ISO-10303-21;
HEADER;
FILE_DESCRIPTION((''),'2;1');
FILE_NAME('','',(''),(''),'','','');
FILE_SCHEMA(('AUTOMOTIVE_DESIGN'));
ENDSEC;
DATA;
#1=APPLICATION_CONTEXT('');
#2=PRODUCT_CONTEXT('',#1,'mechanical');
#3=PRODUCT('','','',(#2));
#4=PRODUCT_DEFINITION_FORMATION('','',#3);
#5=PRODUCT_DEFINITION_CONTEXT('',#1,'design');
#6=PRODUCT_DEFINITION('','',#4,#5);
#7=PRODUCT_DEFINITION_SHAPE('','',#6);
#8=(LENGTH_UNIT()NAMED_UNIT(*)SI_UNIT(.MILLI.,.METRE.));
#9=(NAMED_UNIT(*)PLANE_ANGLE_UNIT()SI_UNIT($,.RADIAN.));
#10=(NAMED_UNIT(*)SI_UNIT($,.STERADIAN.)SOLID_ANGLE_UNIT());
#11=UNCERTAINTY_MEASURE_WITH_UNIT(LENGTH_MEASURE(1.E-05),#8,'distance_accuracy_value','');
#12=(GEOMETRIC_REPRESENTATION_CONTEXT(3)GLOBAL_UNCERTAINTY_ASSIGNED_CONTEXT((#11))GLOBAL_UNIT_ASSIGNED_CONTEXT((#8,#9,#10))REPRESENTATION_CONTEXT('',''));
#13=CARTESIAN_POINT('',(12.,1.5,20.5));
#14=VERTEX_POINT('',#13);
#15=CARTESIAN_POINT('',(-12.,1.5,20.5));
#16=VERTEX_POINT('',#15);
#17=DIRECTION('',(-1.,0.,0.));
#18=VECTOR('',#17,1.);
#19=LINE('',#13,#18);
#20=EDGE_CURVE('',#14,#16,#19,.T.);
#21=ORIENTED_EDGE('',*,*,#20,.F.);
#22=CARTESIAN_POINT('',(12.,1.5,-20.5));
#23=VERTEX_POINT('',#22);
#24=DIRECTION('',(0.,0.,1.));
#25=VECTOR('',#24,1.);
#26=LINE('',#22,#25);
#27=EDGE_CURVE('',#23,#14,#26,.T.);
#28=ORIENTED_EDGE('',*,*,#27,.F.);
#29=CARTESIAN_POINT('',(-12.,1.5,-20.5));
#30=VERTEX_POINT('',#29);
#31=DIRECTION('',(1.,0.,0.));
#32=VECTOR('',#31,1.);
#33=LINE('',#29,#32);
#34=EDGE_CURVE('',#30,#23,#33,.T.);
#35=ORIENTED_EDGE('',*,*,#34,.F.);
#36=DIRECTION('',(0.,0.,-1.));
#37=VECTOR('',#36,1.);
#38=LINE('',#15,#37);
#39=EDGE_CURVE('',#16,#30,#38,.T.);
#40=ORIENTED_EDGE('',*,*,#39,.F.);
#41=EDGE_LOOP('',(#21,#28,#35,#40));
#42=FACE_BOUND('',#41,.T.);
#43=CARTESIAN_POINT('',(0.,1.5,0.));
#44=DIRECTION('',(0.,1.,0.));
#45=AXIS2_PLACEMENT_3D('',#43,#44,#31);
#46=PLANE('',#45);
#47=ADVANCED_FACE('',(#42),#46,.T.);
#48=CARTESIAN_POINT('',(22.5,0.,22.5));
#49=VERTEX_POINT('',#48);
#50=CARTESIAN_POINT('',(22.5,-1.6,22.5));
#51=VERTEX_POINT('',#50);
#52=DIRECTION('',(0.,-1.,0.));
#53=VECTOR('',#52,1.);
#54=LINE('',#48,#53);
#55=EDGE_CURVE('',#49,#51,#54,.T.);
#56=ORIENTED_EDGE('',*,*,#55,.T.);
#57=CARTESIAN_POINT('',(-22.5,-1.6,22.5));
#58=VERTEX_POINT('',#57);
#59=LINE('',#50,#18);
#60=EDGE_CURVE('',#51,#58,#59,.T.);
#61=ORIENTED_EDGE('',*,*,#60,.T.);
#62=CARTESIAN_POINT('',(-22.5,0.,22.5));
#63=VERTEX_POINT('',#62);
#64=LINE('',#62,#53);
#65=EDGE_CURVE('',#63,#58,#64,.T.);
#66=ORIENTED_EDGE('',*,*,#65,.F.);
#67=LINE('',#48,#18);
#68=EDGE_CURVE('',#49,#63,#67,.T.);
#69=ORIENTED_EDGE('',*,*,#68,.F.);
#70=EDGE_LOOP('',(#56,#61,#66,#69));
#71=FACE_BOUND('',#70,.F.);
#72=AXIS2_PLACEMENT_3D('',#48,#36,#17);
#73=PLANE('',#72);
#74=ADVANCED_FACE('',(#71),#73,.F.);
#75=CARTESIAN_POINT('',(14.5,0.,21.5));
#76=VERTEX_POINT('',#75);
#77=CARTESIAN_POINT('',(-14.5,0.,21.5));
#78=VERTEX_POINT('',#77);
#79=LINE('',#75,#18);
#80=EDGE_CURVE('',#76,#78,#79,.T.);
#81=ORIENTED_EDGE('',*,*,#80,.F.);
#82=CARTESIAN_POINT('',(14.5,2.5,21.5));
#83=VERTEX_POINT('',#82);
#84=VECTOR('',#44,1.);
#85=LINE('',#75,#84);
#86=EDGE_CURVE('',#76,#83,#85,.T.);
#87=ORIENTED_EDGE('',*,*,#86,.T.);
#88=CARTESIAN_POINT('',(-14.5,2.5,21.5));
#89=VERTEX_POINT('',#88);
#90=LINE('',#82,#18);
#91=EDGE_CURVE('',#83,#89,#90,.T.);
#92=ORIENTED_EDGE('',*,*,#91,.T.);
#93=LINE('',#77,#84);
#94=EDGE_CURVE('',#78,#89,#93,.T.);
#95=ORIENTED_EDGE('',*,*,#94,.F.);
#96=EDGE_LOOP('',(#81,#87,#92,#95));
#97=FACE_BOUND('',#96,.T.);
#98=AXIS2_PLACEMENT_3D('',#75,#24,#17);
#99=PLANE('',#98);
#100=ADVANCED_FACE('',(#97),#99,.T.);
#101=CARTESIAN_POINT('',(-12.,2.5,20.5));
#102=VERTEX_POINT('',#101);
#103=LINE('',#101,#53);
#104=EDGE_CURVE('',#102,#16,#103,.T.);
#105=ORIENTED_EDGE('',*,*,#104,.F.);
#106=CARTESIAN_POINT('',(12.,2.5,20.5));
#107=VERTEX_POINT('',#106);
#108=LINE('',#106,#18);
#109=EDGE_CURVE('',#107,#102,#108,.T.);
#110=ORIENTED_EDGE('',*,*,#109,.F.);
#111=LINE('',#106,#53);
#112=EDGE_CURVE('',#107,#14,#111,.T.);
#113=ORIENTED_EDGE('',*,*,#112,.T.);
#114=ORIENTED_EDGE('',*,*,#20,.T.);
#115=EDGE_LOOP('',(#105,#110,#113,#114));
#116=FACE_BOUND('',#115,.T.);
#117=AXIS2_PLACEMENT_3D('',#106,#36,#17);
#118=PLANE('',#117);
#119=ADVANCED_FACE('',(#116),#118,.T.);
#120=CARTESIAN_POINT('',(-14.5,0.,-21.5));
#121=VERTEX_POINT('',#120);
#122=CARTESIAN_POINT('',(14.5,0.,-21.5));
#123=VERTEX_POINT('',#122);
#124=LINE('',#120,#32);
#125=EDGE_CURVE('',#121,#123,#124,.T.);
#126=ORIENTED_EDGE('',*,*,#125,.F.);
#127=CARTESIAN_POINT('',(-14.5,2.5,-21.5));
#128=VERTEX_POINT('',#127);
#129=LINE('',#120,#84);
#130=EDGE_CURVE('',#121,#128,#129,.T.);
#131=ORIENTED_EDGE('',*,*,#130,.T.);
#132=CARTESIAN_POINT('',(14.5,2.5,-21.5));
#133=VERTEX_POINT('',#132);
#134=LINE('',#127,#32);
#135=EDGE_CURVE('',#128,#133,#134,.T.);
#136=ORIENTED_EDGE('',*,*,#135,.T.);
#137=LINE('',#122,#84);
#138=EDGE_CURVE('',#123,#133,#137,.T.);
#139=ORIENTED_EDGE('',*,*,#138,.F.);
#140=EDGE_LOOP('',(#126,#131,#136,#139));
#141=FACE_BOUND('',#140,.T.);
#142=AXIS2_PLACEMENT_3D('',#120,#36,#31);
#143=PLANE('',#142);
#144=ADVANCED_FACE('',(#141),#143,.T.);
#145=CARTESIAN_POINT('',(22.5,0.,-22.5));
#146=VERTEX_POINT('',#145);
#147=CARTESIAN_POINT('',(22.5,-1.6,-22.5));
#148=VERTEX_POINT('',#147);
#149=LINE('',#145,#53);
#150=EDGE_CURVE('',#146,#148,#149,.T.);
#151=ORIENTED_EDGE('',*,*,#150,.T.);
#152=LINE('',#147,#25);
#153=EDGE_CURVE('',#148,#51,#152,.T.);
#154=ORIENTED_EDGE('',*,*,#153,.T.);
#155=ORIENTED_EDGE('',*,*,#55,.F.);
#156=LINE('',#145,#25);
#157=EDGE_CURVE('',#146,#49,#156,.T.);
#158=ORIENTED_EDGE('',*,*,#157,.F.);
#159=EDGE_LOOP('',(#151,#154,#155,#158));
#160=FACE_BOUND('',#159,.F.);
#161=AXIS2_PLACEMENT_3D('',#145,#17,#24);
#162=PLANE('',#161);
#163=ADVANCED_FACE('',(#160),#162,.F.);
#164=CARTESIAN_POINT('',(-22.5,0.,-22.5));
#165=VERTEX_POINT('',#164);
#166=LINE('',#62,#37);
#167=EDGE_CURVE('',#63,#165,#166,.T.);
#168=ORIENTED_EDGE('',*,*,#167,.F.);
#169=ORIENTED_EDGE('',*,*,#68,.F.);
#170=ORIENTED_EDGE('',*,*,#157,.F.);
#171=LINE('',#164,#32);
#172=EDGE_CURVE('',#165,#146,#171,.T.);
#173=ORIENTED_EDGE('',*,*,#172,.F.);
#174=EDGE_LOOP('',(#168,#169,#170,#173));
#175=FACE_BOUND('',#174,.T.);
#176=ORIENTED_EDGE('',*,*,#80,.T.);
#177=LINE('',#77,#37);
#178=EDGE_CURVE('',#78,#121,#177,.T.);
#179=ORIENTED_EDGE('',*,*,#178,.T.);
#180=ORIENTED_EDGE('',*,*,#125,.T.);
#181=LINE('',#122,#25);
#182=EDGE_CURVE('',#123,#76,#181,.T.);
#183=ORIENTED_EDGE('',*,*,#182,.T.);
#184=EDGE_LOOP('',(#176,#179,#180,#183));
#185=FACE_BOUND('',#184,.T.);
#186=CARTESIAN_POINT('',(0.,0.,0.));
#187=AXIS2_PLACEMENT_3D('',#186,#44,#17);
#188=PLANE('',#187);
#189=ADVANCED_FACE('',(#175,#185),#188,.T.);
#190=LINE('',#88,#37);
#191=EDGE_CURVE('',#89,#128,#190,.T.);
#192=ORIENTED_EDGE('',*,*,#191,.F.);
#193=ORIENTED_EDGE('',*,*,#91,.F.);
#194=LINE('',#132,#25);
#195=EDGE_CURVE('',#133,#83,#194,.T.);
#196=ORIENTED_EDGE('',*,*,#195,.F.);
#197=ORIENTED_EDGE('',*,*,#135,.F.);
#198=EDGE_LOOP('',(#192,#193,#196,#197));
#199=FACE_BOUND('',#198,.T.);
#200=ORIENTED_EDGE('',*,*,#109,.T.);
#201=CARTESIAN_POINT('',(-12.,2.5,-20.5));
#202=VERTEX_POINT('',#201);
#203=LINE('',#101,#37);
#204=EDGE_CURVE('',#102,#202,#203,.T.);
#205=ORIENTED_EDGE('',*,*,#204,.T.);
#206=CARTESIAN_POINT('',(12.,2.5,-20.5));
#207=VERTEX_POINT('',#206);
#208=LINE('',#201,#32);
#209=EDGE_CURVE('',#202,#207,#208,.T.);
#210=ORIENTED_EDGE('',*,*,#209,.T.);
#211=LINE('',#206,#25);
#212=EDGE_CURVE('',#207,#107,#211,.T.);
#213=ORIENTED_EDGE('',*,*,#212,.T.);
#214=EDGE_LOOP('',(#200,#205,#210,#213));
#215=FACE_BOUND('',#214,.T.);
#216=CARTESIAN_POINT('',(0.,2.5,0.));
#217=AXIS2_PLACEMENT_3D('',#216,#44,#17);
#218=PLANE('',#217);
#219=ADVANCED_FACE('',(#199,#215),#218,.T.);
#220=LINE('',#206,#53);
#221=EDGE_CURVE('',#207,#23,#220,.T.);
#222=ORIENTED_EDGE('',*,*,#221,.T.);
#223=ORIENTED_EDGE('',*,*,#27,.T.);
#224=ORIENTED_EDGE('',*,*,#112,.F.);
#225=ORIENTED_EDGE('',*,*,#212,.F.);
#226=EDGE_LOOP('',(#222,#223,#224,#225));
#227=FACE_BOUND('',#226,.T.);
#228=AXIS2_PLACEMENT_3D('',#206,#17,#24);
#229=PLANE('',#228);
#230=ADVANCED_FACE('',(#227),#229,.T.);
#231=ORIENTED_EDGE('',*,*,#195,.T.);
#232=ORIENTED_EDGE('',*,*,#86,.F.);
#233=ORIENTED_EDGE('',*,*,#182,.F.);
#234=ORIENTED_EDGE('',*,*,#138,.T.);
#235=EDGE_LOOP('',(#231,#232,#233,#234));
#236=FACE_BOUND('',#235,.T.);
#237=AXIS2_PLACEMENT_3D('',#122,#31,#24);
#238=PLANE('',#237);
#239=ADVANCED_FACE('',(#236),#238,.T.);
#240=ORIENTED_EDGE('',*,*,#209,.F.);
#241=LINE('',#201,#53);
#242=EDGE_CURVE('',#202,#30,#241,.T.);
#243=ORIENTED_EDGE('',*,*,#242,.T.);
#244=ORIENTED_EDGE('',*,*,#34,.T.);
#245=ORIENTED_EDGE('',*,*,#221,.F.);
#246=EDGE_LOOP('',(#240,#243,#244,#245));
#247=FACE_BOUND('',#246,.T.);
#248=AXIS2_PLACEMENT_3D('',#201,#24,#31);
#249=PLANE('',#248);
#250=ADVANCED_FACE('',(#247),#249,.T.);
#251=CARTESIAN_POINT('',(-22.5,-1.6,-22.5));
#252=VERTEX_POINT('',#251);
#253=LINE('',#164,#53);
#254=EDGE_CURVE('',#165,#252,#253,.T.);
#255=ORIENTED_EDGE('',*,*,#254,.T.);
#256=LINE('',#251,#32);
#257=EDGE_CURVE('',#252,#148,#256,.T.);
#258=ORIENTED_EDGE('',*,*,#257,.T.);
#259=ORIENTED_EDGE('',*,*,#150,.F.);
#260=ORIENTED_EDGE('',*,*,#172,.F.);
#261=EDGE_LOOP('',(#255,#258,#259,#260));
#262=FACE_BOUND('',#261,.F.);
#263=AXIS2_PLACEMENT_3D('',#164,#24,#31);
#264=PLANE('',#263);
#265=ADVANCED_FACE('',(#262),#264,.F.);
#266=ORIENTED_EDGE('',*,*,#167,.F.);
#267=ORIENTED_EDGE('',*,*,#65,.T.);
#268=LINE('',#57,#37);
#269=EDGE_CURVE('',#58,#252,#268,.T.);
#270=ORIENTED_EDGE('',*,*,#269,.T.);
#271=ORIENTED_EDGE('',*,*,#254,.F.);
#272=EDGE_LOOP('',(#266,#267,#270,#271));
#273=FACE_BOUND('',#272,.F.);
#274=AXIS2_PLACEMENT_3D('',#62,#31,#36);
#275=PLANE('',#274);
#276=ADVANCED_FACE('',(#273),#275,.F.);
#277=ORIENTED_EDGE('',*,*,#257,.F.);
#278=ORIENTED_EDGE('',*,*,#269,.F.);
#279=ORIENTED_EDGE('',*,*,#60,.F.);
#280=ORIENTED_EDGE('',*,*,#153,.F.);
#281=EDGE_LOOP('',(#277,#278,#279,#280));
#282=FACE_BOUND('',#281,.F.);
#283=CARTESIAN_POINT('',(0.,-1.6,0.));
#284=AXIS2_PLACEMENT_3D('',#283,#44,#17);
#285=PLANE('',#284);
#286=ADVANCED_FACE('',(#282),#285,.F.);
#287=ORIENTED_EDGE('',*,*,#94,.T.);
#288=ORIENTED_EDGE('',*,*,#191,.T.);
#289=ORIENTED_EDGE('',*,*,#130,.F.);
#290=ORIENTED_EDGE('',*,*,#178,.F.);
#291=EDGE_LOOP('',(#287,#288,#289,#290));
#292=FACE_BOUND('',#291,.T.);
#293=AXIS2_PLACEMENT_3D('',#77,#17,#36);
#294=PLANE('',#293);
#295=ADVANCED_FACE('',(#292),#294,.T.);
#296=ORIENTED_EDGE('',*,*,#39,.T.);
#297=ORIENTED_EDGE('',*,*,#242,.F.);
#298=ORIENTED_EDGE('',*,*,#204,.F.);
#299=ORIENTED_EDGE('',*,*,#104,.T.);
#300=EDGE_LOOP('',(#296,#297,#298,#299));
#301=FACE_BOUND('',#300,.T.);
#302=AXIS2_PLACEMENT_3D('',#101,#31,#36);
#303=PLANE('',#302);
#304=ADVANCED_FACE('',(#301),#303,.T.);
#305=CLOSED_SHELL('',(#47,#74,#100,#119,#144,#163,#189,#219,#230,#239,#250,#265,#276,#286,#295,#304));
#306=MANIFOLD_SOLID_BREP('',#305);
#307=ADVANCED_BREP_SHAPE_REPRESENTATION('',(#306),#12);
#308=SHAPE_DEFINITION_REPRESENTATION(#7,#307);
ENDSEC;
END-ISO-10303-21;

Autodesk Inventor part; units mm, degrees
ref_plane "YZ Plane" through (0, 0, 0) normal (1, 0, 0) x (0, 1, 0)
ref_plane "XZ Plane" through (0, 0, 0) normal (0, 1, 0) x (-1, 0, 0)
ref_plane "XY Plane" through (0, 0, 0) normal (0, 0, 1) x (1, 0, 0)
sketch "Sketch1" plane through (0, 0, 0) normal (0, 1, 0) x (-1, 0, 0)
  line L0 (-22.5, 22.5) -> (22.5, 22.5)
  line L1 (22.5, 22.5) -> (22.5, -22.5)
  line L2 (22.5, -22.5) -> (-22.5, -22.5)
  line L3 (-22.5, -22.5) -> (-22.5, 22.5)
  line L4 (-22.5, 22.5) -> (22.5, -22.5) construction
  line L5 (22.5, 22.5) -> (-22.5, -22.5) construction
  line L6 (-14.5, 21.5) -> (14.5, 21.5)
  line L7 (14.5, 21.5) -> (14.5, -21.5)
  line L8 (14.5, -21.5) -> (-14.5, -21.5)
  line L9 (-14.5, -21.5) -> (-14.5, 21.5)
  line L10 (-14.5, 21.5) -> (14.5, -21.5) construction
  line L11 (14.5, 21.5) -> (-14.5, -21.5) construction
  point P0 (0, 0)
  dimension "d0" = 45
  dimension "d1" = 45
  dimension "d2" = 29
  dimension "d3" = 43
extrude "Extrusion1" add sketch "Sketch1" against normal blind 1.6 contours L0 L1 L2 L3 | L6 L7 L8 L9
extrude "Extrusion2" add sketch "Sketch1" along normal blind 2.5 contours L6 L7 L8 L9
sketch "Sketch2" plane through (0, 2.5, 0) normal (0, 1, 0) x (1, 0, 0)
  line L0 (12, -20.5) -> (-12, -20.5)
  line L1 (-12, -20.5) -> (-12, 20.5)
  line L2 (-12, 20.5) -> (12, 20.5)
  line L3 (12, 20.5) -> (12, -20.5)
  line L4 (12, -20.5) -> (-12, 20.5) construction
  line L5 (-12, -20.5) -> (12, 20.5) construction
  point P0 (0, 0)
  dimension "d8" = 24
  dimension "d9" = 41
extrude "Extrusion3" cut sketch "Sketch2" against normal blind 1
properties part number "LCD5110"
